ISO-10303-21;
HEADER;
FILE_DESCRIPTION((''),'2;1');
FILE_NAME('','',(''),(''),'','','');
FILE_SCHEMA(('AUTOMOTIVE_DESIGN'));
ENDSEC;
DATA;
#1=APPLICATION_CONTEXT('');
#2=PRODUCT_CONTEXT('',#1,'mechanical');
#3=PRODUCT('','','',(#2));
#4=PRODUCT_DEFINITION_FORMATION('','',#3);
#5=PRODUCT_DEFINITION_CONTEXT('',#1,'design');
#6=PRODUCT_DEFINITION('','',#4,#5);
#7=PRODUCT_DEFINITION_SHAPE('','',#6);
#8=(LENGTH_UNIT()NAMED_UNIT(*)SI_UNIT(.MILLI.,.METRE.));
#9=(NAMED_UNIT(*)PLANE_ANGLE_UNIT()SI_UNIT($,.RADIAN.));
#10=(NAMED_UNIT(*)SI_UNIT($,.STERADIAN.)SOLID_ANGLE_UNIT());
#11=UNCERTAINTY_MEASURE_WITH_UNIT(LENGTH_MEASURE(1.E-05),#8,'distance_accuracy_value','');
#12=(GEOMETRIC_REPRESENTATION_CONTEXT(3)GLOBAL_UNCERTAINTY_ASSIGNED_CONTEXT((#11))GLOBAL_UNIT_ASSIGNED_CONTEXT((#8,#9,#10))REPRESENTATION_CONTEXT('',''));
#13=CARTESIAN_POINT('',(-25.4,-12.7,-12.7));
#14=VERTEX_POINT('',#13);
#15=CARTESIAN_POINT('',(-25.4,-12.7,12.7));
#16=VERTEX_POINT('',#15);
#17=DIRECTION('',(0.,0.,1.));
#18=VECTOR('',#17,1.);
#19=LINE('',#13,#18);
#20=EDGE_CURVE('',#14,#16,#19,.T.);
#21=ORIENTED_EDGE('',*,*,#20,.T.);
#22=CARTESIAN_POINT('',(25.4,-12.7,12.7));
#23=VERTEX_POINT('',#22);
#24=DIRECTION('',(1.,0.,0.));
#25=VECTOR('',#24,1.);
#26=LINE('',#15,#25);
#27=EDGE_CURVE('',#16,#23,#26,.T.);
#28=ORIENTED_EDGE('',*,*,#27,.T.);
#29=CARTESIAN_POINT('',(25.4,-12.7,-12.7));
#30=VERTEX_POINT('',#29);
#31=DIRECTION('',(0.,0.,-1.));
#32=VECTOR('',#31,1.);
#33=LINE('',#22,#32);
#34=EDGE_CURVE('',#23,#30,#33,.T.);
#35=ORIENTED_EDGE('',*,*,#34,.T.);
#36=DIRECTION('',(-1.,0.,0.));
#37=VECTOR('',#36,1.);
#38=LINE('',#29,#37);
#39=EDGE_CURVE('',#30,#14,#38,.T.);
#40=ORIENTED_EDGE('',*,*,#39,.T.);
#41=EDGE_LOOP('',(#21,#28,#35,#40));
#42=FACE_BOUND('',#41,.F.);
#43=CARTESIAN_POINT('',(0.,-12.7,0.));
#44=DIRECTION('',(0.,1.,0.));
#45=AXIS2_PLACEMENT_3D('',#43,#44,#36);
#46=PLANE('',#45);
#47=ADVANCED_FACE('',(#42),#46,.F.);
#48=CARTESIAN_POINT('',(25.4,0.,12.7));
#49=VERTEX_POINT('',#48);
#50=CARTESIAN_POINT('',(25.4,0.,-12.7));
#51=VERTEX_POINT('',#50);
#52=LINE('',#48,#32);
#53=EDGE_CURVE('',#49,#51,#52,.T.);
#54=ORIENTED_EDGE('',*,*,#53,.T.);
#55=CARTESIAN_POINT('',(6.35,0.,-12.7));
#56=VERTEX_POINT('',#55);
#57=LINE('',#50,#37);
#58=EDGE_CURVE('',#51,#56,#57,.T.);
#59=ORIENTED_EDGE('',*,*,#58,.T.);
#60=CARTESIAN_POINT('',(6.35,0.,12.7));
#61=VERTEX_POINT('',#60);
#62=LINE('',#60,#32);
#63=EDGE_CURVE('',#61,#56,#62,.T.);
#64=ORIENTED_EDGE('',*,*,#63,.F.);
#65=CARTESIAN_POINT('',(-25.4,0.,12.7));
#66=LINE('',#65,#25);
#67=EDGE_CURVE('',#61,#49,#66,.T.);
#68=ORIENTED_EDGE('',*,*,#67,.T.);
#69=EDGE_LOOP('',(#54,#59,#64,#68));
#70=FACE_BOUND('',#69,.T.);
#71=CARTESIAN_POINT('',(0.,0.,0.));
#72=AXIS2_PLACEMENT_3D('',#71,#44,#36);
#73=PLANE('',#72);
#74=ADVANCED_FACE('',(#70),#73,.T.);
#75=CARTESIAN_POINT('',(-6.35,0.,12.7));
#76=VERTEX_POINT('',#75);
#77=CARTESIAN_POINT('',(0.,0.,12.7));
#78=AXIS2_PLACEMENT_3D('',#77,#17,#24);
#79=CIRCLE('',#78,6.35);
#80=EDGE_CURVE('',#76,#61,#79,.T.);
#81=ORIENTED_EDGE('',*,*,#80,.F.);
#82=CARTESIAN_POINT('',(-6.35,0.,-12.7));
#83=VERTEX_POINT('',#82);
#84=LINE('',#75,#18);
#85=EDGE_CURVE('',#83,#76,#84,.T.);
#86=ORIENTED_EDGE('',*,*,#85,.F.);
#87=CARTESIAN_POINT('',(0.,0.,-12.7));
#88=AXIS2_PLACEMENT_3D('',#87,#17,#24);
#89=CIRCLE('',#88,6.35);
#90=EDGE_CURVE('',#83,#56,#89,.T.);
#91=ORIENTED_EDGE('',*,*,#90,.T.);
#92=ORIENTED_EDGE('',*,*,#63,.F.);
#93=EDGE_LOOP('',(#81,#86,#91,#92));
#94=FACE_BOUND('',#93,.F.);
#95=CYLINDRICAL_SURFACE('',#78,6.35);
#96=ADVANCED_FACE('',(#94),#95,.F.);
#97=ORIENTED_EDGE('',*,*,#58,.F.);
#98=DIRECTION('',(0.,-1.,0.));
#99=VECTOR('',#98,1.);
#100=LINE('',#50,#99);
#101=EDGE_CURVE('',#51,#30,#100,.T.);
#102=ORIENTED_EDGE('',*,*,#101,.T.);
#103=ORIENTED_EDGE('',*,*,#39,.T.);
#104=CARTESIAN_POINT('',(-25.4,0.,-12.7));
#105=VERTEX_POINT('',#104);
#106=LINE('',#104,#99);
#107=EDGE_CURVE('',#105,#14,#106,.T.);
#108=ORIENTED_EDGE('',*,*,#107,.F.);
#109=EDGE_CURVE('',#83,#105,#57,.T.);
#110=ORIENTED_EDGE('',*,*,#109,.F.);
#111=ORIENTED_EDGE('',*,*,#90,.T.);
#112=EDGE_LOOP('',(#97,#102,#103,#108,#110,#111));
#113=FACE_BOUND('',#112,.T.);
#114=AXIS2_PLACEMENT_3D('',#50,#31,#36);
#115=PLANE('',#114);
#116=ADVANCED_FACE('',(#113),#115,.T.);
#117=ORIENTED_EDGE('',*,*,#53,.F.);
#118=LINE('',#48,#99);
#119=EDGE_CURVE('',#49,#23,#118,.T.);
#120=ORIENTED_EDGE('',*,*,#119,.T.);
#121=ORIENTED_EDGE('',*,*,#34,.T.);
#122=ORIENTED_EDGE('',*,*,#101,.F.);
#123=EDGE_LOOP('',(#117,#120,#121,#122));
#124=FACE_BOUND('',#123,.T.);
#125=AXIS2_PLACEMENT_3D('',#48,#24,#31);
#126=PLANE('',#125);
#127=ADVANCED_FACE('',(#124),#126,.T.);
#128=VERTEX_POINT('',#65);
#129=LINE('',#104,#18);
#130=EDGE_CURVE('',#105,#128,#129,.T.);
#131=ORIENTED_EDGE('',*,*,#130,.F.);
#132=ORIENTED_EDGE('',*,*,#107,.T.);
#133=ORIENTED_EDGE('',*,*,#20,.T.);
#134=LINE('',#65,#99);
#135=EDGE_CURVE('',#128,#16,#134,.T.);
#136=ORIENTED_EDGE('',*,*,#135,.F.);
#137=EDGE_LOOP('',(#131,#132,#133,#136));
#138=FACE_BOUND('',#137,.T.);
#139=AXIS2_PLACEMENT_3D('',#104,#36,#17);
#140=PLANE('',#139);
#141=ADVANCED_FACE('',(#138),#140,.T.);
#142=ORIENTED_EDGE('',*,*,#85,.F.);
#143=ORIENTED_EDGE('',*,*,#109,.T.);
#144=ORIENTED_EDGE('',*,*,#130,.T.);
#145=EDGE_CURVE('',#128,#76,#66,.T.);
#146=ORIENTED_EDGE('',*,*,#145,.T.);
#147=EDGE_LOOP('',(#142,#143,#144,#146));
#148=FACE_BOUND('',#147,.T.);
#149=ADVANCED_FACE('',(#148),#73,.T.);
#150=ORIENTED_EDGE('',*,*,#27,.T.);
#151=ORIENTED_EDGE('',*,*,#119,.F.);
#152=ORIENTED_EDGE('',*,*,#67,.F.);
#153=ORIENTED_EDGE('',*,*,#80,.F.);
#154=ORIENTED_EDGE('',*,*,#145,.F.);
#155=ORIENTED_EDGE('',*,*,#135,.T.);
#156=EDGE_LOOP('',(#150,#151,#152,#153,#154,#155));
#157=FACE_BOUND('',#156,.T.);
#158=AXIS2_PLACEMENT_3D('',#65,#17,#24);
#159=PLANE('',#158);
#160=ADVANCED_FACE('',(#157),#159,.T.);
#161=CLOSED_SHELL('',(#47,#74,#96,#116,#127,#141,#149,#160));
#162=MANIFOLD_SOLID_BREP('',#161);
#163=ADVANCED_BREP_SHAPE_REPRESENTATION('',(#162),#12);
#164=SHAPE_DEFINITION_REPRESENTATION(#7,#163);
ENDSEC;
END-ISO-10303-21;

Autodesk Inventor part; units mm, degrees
ref_plane "YZ Plane" through (0, 0, 0) normal (1, 0, 0) x (0, 1, 0)
ref_plane "XZ Plane" through (0, 0, 0) normal (0, 1, 0) x (-1, 0, 0)
ref_plane "XY Plane" through (0, 0, 0) normal (0, 0, 1) x (1, 0, 0)
sketch "Sketch1" plane through (0, 0, 0) normal (0, 1, 0) x (-1, 0, 0)
  line L0 (25.4, 12.7) -> (-25.4, 12.7)
  line L1 (-25.4, 12.7) -> (-25.4, -12.7)
  line L2 (-25.4, -12.7) -> (25.4, -12.7)
  line L3 (25.4, -12.7) -> (25.4, 12.7)
  line L4 (25.4, 12.7) -> (-25.4, -12.7) construction
  line L5 (-25.4, 12.7) -> (25.4, -12.7) construction
  point P0 (0, 0)
  dimension "d0" = 50.8
  dimension "d1" = 25.4
extrude "Extrusion1" add sketch "Sketch1" against normal blind 12.7
sketch "Sketch2" plane through (-25.4, 0, 12.7) normal (0, 0, 1) x (1, 0, 0)
  circle A0 centre (25.4, 0) radius 6.35
  dimension "d4" = 12.7
extrude "Extrusion2" cut sketch "Sketch2" against normal through all
sketch "Sketch3" plane through (0, -12.7, 0) normal (0, -1, 0) x (1, 0, 0)
  line L0 (25.4, -12.7) -> (25.4, 12.7) projected
  line L1 (-25.4, 12.7) -> (-25.4, -12.7) projected
  point P0 (0, 0)
  point P1 (12.7, 0)
  point P2 (-12.7, 0)
  dimension "d7" = 12.7
  dimension "d8" = 12.7
properties part number "capForLift" material "Aluminum 6061"
